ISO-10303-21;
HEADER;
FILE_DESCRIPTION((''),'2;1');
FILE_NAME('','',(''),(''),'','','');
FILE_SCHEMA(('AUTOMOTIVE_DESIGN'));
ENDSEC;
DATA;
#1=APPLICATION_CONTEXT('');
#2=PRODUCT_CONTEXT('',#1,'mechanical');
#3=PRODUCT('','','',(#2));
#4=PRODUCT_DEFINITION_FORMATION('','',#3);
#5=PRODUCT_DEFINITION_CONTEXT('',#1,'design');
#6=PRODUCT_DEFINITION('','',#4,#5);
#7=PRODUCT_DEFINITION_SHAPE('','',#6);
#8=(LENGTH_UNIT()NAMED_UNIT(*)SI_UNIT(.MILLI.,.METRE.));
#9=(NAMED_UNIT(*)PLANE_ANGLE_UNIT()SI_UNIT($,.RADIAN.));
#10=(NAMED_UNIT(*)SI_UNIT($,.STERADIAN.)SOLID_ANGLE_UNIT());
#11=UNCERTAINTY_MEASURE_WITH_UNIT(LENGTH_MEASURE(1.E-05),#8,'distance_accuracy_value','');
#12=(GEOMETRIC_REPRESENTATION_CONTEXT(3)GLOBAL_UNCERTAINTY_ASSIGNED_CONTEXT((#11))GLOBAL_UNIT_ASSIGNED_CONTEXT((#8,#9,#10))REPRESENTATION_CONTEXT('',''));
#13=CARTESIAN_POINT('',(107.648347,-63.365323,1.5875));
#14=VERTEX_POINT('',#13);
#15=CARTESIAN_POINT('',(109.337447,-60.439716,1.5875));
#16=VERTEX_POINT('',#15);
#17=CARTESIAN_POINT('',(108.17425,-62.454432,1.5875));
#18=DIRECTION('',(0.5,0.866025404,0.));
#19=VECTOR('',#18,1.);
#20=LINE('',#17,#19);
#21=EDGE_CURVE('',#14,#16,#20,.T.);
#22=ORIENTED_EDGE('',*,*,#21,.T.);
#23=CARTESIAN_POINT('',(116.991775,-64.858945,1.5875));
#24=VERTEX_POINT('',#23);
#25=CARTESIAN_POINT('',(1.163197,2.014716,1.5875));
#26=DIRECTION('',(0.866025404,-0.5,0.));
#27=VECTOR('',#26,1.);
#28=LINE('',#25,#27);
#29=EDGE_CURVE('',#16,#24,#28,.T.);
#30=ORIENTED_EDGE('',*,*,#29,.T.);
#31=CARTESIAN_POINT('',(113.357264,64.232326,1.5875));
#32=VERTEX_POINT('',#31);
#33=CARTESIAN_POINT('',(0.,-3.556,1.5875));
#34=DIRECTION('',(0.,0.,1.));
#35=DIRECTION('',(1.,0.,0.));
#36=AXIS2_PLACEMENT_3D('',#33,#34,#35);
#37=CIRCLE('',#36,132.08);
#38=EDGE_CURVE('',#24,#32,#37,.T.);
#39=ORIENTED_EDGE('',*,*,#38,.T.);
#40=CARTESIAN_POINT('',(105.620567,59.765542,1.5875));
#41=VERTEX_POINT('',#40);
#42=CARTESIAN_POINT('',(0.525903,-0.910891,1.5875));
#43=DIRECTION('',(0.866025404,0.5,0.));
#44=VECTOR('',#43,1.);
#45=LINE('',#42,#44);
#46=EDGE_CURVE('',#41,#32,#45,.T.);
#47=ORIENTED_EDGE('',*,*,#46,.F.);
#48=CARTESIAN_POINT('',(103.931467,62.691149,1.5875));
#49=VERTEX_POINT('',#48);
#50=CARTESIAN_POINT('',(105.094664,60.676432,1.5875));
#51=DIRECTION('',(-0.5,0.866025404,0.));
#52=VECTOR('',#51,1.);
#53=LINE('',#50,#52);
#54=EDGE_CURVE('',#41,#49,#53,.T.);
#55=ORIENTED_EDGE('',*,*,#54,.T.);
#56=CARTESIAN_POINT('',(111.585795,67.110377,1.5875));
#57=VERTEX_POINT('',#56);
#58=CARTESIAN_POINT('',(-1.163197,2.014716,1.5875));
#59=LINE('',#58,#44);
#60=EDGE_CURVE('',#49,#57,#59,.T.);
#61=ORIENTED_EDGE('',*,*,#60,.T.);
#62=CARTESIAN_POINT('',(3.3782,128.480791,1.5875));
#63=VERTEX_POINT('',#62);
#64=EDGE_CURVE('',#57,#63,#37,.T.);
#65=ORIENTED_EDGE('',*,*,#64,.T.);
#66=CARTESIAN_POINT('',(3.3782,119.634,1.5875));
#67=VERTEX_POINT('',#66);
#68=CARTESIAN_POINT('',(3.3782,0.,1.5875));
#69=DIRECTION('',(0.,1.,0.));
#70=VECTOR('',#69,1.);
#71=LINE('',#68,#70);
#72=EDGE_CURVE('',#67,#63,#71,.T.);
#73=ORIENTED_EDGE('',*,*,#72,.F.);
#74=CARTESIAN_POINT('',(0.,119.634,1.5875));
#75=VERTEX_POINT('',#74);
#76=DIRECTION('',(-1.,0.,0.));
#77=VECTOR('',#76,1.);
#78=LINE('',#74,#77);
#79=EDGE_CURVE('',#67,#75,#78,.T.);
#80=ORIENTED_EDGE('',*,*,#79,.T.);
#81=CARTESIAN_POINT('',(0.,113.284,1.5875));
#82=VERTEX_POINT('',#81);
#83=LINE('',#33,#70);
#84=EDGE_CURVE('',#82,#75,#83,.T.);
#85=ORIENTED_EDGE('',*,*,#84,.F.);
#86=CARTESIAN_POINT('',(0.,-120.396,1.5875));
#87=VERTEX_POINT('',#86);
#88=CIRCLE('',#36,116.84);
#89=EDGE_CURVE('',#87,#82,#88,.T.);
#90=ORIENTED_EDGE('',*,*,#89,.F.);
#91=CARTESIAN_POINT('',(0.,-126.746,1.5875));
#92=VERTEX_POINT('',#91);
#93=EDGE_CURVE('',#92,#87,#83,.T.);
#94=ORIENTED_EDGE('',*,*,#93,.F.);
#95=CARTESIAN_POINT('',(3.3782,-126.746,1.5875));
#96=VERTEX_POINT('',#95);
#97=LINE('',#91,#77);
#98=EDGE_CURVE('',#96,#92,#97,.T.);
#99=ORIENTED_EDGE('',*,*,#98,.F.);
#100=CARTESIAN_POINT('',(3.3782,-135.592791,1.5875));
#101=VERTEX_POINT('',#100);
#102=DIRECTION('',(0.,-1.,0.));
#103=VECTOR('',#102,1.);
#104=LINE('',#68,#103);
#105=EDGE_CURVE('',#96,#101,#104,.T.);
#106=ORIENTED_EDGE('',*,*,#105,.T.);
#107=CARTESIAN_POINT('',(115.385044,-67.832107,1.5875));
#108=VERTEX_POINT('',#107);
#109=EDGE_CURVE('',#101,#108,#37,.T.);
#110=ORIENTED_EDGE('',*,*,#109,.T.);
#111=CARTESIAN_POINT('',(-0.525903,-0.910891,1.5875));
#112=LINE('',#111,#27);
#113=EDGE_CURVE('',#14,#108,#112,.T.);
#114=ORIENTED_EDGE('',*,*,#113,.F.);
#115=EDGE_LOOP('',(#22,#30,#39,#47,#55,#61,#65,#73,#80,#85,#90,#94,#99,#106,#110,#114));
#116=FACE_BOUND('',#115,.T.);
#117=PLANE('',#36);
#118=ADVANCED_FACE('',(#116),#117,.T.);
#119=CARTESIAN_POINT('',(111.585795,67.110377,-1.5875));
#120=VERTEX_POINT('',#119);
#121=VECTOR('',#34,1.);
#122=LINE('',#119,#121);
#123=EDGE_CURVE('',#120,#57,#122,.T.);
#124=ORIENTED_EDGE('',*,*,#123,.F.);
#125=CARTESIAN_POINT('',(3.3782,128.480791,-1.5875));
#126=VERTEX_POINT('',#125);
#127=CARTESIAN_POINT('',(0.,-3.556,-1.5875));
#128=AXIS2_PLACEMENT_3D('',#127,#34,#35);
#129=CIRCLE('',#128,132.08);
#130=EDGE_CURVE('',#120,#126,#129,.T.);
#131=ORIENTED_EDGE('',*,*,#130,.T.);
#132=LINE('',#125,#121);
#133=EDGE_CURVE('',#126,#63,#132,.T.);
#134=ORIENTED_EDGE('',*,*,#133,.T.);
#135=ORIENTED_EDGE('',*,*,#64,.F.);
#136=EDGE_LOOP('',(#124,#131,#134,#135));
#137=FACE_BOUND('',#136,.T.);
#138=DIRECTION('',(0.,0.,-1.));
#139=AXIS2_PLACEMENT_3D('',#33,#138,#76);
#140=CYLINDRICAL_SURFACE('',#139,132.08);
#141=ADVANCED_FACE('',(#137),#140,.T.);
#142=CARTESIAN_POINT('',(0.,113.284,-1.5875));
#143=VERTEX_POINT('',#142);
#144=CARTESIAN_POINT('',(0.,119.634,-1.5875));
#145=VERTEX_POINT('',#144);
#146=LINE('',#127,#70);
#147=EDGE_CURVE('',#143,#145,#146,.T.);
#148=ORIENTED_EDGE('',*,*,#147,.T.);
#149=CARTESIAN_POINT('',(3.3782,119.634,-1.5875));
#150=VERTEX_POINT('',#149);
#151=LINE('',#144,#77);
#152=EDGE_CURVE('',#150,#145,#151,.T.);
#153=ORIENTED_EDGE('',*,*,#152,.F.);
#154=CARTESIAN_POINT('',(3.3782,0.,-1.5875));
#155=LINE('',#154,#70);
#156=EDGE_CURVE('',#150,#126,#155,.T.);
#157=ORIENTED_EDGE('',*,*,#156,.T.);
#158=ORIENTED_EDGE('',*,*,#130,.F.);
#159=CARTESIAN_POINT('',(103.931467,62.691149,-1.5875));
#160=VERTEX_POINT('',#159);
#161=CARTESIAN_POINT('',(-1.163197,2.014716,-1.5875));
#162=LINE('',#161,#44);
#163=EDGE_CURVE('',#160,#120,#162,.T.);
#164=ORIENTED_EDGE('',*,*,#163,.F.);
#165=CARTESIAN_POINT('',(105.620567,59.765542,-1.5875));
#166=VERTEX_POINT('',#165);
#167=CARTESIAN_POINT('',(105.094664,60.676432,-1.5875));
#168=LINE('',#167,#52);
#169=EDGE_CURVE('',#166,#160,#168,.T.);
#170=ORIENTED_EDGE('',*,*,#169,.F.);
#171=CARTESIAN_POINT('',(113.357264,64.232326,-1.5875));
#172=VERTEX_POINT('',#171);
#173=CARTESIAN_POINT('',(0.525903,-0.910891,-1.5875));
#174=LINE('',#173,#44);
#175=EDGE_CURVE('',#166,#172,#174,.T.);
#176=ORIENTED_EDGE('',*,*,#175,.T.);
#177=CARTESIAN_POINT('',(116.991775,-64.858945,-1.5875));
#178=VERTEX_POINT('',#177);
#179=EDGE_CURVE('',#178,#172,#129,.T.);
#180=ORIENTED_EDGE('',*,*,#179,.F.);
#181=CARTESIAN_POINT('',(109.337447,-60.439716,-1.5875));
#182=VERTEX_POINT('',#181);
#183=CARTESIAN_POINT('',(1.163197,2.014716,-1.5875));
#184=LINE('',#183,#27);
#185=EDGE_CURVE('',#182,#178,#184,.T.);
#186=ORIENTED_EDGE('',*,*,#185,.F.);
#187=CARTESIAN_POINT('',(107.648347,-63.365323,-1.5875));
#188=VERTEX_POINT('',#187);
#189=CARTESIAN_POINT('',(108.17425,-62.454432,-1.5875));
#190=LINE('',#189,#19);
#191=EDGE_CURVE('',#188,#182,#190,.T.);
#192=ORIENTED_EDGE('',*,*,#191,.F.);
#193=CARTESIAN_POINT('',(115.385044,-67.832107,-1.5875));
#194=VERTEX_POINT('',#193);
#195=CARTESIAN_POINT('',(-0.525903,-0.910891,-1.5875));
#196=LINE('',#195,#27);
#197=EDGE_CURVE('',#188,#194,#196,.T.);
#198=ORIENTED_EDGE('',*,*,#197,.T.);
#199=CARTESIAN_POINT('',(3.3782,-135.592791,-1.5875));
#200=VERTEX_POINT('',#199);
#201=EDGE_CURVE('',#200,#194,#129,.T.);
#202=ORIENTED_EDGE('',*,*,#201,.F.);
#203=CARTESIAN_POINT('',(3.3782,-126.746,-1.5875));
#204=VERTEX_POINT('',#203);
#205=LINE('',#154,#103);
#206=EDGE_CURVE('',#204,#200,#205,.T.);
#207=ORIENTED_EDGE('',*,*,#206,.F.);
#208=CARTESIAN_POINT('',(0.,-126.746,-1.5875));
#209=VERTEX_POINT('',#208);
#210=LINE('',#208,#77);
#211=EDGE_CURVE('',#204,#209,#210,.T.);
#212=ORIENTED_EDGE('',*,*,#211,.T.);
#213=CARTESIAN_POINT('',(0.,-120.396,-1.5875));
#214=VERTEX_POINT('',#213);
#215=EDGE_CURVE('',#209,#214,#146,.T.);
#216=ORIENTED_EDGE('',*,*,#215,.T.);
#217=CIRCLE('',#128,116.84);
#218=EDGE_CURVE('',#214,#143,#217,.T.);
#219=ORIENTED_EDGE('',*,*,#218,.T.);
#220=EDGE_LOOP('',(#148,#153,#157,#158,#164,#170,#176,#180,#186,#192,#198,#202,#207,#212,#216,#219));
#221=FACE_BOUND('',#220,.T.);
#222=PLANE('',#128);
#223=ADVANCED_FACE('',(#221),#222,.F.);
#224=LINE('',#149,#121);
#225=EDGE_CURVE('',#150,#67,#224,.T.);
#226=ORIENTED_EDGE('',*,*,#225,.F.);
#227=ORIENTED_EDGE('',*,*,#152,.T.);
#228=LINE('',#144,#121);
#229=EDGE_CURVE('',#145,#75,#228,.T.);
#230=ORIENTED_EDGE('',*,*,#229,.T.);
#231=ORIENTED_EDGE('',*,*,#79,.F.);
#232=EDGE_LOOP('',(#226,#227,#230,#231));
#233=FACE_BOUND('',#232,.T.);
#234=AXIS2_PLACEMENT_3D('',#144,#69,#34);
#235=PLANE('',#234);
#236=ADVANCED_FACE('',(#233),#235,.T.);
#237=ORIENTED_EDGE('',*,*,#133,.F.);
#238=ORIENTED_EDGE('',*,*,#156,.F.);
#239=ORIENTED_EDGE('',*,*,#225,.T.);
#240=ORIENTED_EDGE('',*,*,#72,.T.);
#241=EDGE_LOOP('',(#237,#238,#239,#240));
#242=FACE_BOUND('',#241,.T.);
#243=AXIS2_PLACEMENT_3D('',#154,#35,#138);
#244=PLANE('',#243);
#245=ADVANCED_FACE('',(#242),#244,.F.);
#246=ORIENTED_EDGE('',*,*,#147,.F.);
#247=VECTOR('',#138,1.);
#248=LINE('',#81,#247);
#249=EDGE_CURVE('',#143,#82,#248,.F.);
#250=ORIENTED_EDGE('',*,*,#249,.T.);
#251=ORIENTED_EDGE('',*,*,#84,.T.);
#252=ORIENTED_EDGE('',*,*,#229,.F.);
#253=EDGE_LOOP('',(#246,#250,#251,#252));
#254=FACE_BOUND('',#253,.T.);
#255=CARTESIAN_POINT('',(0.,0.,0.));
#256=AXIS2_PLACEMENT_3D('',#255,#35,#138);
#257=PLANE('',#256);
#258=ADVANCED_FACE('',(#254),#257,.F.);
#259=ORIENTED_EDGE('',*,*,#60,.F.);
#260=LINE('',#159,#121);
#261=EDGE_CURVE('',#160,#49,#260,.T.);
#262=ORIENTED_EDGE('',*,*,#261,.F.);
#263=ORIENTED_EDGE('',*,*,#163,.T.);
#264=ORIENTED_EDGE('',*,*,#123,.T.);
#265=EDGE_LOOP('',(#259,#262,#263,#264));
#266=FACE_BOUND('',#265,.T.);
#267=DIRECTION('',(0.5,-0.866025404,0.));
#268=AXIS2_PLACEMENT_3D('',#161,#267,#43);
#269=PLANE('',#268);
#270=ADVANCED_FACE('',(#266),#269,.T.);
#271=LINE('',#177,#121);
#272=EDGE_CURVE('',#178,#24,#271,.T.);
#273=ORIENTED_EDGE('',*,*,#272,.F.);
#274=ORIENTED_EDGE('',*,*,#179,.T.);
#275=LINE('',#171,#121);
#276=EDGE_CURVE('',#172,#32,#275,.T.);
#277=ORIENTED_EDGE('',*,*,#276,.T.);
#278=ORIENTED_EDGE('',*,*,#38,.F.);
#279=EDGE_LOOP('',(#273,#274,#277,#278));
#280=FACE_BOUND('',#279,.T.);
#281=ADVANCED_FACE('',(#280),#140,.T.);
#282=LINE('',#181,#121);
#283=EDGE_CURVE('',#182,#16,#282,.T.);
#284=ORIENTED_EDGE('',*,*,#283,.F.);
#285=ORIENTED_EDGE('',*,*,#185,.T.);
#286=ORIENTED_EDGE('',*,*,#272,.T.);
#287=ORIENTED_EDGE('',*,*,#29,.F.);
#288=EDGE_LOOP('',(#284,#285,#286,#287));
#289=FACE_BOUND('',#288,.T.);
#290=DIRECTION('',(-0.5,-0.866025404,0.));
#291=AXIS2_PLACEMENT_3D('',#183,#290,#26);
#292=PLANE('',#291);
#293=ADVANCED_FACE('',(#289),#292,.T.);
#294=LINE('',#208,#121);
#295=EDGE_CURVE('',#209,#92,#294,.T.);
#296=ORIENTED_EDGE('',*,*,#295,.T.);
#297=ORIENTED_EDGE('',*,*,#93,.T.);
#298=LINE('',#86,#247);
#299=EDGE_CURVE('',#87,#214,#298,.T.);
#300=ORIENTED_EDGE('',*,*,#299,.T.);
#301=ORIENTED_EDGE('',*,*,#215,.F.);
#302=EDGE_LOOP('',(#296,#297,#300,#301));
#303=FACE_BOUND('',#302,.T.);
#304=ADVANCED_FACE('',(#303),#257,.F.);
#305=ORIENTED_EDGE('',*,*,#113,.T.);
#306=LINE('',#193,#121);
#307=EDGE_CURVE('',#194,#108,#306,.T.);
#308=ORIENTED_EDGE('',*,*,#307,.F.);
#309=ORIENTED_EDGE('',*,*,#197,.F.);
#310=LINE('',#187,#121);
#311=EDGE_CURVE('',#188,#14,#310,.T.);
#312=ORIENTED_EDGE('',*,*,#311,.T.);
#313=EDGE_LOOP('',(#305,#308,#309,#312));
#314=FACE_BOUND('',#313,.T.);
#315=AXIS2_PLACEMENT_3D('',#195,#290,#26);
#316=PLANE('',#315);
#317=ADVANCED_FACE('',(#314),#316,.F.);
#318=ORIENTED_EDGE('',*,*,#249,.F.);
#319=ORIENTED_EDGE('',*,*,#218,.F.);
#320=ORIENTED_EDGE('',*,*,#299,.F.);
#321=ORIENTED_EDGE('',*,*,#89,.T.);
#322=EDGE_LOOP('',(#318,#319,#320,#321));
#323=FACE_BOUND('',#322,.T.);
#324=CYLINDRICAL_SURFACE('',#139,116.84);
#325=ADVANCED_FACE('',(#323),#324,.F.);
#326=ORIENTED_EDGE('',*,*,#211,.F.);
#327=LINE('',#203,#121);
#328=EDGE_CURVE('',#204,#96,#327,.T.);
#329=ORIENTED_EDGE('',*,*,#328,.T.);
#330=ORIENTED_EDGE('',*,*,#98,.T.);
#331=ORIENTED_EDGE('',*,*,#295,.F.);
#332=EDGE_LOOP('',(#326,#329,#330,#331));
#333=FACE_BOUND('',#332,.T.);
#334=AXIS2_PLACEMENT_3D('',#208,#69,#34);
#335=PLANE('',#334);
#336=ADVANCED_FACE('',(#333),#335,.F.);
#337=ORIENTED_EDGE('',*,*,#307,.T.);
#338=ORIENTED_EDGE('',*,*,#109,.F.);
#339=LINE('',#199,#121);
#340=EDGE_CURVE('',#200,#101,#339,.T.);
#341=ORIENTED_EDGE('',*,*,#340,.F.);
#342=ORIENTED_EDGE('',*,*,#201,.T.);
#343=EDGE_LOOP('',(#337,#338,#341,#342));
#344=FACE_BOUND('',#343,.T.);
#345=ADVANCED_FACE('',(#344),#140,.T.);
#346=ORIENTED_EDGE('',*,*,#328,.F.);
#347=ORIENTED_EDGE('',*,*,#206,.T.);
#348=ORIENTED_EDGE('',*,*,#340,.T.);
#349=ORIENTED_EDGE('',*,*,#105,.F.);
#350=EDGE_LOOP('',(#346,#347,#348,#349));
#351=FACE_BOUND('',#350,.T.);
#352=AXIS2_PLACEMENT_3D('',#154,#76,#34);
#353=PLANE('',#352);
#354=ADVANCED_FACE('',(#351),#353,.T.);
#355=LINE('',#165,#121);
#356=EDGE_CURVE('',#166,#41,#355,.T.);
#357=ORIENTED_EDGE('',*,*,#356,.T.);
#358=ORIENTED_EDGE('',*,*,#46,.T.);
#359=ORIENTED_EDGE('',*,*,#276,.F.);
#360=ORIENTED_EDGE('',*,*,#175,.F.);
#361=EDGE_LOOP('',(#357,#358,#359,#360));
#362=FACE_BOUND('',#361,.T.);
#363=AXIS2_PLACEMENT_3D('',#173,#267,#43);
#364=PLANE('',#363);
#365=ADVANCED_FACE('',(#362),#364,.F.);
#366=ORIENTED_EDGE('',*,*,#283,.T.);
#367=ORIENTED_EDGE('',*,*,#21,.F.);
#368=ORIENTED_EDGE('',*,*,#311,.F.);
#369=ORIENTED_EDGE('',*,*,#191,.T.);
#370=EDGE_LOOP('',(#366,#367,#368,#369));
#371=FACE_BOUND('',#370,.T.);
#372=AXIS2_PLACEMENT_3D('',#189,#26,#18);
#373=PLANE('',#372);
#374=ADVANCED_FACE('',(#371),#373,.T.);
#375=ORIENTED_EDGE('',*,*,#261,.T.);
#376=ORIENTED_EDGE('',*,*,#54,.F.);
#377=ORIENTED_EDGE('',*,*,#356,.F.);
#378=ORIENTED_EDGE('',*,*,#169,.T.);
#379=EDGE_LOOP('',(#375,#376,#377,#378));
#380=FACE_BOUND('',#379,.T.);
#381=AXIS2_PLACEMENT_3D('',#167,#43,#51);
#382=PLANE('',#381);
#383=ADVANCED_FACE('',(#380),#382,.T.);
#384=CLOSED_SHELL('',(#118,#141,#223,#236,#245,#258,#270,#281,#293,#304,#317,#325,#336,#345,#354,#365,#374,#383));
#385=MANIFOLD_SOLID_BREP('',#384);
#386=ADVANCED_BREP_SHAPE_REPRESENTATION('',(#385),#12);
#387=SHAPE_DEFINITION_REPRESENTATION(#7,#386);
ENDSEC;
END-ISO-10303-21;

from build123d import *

# Parameters (mm, degrees)
SKETCH2_R           = 116.84
BOSS_EXTRUDE1_DEPTH = 1.5875
SKETCH3_W           = 232.210592103
SKETCH3_H           = 398.954583541
CUT_EXTRUDE1_DEPTH  = 133.08
CUT_EXTRUDE2_DEPTH  = 4.175


with BuildPart() as part:
    # Sketch2 → Boss-Extrude1 (new body, symmetric)
    with BuildSketch(Plane.XY):
        with BuildLine():
            ThreePointArc((-1.651, 128.513680847), (-113.443755652, 64.087482344), (-116.974071472, -64.89271823))
            ThreePointArc((-116.974071472, -64.89271823), (-116.588202689, -65.623039511), (-116.197774242, -66.350933404))
            ThreePointArc((-116.197774242, -66.350933404), (-115.802941233, -67.076116512), (-115.403582459, -67.798817153))
            ThreePointArc((-115.403582459, -67.798817153), (0, -135.636), (115.403582459, -67.798817153))
            ThreePointArc((115.403582459, -67.798817153), (115.802941375, -67.076116254), (116.197774523, -66.350932884))
            ThreePointArc((116.197774523, -66.350932884), (116.588202828, -65.62303925), (116.974071472, -64.89271823))
            ThreePointArc((116.974071472, -64.89271823), (113.443755652, 64.087482344), (1.651, 128.513680847))
            ThreePointArc((1.651, 128.513680847), (0.825516124, 128.521420187), (0, 128.524))
            ThreePointArc((0, 128.524), (-0.825516124, 128.521420187), (-1.651, 128.513680847))
        make_face()
        with Locations((0, -3.556)):
            Circle(SKETCH2_R, mode=Mode.SUBTRACT)
    extrude(amount=BOSS_EXTRUDE1_DEPTH, both=True)

    # Sketch3 → Cut-Extrude1 (cut, through all)
    with BuildSketch(Plane(origin=(0, 0, 0), x_dir=(0, 0, -1), z_dir=(1, 0, 0))):
        with Locations((6.714523145, -6.913261573)):
            Rectangle(SKETCH3_W, SKETCH3_H)
    extrude(amount=-CUT_EXTRUDE1_DEPTH, mode=Mode.SUBTRACT)

    # Sketch4 → Cut-Extrude2 (cut, through all)
    with BuildSketch(Plane.XY.offset(1.5875)):
        with BuildLine():
            Line((0, 119.634), (3.3782, 119.634))
            Line((3.3782, 119.634), (3.3782, 128.480790951))
            ThreePointArc((3.3782, 128.480790951), (1.689238161, 128.513197296), (0, 128.524))
            Line((0, 128.524), (0, 119.634))
        make_face()
        with BuildLine():
            ThreePointArc((113.357263981, 64.23232571), (112.480734843, 65.677017334), (111.585794735, 67.110376823))
            Line((111.585794735, 67.110376823), (103.931466898, 62.691148586))
            Line((103.931466898, 62.691148586), (105.620566898, 59.765541567))
            Line((105.620566898, 59.765541567), (113.357263981, 64.23232571))
        make_face()
        with BuildLine():
            ThreePointArc((115.385044136, -67.832107456), (116.197919214, -66.350665143), (116.99177489, -64.858944531))
            Line((116.99177489, -64.858944531), (109.337447053, -60.439716293))
            Line((109.337447053, -60.439716293), (107.648347053, -63.365323312))
            Line((107.648347053, -63.365323312), (115.385044136, -67.832107456))
        make_face()
        with BuildLine():
            ThreePointArc((0, -135.636), (1.689238161, -135.625197296), (3.3782, -135.592790951))
            Line((3.3782, -135.592790951), (3.3782, -126.746))
            Line((3.3782, -126.746), (0, -126.746))
            Line((0, -126.746), (0, -135.636))
        make_face()
    extrude(amount=-CUT_EXTRUDE2_DEPTH, mode=Mode.SUBTRACT)


solid = part.part
